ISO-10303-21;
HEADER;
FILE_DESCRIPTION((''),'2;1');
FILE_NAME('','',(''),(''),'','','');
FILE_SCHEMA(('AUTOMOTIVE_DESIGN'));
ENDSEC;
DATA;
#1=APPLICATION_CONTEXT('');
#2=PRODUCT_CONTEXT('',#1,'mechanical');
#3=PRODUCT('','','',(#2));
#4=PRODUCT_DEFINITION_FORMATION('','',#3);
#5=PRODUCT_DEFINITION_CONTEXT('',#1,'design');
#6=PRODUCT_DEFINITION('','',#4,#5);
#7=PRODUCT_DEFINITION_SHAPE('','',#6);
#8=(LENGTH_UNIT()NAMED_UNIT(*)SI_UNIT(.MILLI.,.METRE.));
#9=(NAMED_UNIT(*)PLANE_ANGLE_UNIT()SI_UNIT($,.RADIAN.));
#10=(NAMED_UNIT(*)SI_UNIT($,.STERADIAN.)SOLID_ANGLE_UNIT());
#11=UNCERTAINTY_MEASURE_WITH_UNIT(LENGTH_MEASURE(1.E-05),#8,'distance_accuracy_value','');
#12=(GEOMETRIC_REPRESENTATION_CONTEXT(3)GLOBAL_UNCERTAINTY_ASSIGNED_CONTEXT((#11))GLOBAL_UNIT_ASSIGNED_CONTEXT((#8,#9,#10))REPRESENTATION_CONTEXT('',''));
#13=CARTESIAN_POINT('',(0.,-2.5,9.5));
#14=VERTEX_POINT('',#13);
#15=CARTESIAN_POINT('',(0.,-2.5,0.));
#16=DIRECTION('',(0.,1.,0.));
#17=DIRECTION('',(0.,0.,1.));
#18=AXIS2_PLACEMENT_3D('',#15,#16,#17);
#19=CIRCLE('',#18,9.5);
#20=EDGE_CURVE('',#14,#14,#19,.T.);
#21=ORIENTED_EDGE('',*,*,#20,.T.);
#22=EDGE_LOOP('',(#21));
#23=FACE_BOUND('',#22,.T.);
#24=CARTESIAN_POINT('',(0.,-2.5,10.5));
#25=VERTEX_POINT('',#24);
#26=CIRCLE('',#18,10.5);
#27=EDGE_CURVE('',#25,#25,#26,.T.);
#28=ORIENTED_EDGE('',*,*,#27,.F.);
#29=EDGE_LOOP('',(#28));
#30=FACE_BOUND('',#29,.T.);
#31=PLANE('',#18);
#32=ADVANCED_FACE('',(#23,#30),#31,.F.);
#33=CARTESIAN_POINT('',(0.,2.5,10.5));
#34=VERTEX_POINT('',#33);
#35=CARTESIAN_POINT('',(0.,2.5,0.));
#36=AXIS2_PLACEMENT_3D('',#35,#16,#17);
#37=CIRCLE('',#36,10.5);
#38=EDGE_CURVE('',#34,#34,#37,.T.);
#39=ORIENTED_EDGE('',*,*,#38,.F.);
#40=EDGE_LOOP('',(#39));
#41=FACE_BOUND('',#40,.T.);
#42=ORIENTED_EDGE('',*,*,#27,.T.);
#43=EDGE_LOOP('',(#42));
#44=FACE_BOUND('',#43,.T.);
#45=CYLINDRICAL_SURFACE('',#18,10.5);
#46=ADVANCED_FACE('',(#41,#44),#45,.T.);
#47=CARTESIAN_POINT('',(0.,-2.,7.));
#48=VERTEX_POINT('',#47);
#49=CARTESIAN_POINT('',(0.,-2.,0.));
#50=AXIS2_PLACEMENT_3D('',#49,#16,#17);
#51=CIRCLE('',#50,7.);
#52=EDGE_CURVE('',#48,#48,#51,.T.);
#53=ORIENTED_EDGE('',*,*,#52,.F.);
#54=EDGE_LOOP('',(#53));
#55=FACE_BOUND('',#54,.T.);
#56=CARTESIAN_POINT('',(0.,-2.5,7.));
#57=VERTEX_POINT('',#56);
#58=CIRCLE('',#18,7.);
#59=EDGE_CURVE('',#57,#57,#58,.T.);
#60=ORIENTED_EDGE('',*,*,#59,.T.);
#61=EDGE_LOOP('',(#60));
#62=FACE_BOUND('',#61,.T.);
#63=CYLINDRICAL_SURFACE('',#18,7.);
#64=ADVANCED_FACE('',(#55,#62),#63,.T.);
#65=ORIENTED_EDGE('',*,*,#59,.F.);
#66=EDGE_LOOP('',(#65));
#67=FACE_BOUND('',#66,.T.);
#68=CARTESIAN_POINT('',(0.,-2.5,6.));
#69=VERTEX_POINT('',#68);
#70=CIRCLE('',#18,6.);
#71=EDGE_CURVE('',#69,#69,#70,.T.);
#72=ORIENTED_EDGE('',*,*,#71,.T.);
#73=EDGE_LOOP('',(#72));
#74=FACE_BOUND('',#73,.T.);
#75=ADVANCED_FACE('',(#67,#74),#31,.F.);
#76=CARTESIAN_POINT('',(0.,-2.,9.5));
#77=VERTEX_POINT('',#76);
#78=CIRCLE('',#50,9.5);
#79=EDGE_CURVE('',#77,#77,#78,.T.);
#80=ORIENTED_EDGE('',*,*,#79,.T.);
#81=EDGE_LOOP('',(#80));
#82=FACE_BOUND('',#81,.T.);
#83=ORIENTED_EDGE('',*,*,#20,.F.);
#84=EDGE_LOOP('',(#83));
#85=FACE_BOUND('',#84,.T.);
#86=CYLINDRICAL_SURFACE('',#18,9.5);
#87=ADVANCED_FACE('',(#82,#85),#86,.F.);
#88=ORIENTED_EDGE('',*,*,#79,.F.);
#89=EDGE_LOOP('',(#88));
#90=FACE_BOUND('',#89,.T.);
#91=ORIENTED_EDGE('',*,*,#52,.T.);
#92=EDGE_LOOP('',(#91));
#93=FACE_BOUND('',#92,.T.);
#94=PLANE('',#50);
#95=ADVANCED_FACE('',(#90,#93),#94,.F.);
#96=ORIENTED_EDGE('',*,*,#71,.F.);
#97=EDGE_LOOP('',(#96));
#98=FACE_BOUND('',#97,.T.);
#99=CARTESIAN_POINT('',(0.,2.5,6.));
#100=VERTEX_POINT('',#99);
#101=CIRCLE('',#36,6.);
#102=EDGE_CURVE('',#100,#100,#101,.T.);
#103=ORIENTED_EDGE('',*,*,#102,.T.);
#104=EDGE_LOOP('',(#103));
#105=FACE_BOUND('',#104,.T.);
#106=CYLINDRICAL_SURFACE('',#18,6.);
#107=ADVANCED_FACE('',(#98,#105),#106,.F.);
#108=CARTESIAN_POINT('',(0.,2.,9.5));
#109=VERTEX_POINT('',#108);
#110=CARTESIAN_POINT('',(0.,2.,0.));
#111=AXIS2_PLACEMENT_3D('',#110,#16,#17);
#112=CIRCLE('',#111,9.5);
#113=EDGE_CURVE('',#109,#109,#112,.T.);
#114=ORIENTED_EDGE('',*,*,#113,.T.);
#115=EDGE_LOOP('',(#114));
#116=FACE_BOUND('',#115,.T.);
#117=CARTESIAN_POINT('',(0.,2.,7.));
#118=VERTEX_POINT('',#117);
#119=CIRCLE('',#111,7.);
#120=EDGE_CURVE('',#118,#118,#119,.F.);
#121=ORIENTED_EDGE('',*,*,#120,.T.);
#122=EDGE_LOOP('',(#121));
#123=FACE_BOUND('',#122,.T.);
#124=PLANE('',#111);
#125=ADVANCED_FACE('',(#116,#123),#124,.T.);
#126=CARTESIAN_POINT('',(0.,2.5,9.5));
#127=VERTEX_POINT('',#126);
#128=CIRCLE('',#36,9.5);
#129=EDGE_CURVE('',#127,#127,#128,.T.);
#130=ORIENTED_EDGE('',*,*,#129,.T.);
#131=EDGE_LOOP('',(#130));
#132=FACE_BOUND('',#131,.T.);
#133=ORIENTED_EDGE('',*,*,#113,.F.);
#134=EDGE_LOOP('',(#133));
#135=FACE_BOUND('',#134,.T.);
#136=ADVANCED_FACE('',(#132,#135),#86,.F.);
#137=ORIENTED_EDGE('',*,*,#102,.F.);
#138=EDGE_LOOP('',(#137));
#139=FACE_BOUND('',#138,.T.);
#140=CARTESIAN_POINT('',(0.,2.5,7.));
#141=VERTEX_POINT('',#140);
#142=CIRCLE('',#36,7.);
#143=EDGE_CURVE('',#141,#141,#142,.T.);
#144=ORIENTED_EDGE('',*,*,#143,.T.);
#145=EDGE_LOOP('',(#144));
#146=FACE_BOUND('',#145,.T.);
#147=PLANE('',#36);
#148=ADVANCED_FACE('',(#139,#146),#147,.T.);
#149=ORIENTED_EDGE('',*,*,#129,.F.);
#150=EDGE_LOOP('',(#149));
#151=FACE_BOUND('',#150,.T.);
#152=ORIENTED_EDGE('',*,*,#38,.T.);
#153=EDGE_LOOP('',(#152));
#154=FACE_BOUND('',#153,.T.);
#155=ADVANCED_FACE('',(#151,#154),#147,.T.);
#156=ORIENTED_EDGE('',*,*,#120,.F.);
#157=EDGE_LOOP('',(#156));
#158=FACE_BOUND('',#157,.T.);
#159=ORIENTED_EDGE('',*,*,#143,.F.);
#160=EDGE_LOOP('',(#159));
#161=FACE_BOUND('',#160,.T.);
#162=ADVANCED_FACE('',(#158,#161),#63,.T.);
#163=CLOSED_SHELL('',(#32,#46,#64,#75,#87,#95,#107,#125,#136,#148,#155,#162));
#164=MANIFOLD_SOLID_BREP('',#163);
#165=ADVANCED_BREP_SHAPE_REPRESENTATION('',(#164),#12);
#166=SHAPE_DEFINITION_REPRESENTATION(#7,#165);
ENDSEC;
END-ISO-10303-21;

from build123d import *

# Parameters (mm, degrees)
BOSS_EXTRU_1_DEPTH        = 2.5
BOSS_EXTRU_1_DEPTH_BACK   = 2.5
ESQUISSE1_R               = 10.5
ESQUISSE1_R_2             = 9.5
BOSS_EXTRU_1_2_DEPTH      = 2.5
BOSS_EXTRU_1_2_DEPTH_BACK = 2.5
ESQUISSE1_R_3             = 7
ESQUISSE1_R_4             = 6
BOSS_EXTRU_2_DEPTH        = 2
BOSS_EXTRU_2_DEPTH_BACK   = 2
ESQUISSE1_3_R             = 9.5
ESQUISSE1_3_R_2           = 7


with BuildPart() as part:
    # Esquisse1 → Boss.-Extru.1 (new, two sides: drawn at the far end of the back side and taken through both)
    with BuildSketch(Plane(origin=(0, 0, 0), x_dir=(1, 0, 0), z_dir=(0, 1, 0)).offset(-BOSS_EXTRU_1_DEPTH_BACK)):
        Circle(ESQUISSE1_R)
        Circle(ESQUISSE1_R_2, mode=Mode.SUBTRACT)
    extrude(amount=BOSS_EXTRU_1_DEPTH + BOSS_EXTRU_1_DEPTH_BACK)



with BuildPart() as body_2:
    # Esquisse1 → Boss.-Extru.1 2 (new, two sides: drawn at the far end of the back side and taken through both)
    with BuildSketch(Plane(origin=(0, 0, 0), x_dir=(1, 0, 0), z_dir=(0, 1, 0)).offset(-BOSS_EXTRU_1_2_DEPTH_BACK)):
        Circle(ESQUISSE1_R_3)
        Circle(ESQUISSE1_R_4, mode=Mode.SUBTRACT)
    extrude(amount=BOSS_EXTRU_1_2_DEPTH + BOSS_EXTRU_1_2_DEPTH_BACK)


with BuildPart() as part_1:
    add(part.part)

    add(body_2.part)  # Boss.-Extru.2 merges body 2
    # Esquisse1<3> → Boss.-Extru.2 (add, two sides: drawn at the far end of the back side and taken through both)
    with BuildSketch(Plane(origin=(0, 0, 0), x_dir=(1, 0, 0), z_dir=(0, 1, 0)).offset(-BOSS_EXTRU_2_DEPTH_BACK)):
        Circle(ESQUISSE1_3_R)
        Circle(ESQUISSE1_3_R_2, mode=Mode.SUBTRACT)
    extrude(amount=BOSS_EXTRU_2_DEPTH + BOSS_EXTRU_2_DEPTH_BACK)


solid = part_1.part
